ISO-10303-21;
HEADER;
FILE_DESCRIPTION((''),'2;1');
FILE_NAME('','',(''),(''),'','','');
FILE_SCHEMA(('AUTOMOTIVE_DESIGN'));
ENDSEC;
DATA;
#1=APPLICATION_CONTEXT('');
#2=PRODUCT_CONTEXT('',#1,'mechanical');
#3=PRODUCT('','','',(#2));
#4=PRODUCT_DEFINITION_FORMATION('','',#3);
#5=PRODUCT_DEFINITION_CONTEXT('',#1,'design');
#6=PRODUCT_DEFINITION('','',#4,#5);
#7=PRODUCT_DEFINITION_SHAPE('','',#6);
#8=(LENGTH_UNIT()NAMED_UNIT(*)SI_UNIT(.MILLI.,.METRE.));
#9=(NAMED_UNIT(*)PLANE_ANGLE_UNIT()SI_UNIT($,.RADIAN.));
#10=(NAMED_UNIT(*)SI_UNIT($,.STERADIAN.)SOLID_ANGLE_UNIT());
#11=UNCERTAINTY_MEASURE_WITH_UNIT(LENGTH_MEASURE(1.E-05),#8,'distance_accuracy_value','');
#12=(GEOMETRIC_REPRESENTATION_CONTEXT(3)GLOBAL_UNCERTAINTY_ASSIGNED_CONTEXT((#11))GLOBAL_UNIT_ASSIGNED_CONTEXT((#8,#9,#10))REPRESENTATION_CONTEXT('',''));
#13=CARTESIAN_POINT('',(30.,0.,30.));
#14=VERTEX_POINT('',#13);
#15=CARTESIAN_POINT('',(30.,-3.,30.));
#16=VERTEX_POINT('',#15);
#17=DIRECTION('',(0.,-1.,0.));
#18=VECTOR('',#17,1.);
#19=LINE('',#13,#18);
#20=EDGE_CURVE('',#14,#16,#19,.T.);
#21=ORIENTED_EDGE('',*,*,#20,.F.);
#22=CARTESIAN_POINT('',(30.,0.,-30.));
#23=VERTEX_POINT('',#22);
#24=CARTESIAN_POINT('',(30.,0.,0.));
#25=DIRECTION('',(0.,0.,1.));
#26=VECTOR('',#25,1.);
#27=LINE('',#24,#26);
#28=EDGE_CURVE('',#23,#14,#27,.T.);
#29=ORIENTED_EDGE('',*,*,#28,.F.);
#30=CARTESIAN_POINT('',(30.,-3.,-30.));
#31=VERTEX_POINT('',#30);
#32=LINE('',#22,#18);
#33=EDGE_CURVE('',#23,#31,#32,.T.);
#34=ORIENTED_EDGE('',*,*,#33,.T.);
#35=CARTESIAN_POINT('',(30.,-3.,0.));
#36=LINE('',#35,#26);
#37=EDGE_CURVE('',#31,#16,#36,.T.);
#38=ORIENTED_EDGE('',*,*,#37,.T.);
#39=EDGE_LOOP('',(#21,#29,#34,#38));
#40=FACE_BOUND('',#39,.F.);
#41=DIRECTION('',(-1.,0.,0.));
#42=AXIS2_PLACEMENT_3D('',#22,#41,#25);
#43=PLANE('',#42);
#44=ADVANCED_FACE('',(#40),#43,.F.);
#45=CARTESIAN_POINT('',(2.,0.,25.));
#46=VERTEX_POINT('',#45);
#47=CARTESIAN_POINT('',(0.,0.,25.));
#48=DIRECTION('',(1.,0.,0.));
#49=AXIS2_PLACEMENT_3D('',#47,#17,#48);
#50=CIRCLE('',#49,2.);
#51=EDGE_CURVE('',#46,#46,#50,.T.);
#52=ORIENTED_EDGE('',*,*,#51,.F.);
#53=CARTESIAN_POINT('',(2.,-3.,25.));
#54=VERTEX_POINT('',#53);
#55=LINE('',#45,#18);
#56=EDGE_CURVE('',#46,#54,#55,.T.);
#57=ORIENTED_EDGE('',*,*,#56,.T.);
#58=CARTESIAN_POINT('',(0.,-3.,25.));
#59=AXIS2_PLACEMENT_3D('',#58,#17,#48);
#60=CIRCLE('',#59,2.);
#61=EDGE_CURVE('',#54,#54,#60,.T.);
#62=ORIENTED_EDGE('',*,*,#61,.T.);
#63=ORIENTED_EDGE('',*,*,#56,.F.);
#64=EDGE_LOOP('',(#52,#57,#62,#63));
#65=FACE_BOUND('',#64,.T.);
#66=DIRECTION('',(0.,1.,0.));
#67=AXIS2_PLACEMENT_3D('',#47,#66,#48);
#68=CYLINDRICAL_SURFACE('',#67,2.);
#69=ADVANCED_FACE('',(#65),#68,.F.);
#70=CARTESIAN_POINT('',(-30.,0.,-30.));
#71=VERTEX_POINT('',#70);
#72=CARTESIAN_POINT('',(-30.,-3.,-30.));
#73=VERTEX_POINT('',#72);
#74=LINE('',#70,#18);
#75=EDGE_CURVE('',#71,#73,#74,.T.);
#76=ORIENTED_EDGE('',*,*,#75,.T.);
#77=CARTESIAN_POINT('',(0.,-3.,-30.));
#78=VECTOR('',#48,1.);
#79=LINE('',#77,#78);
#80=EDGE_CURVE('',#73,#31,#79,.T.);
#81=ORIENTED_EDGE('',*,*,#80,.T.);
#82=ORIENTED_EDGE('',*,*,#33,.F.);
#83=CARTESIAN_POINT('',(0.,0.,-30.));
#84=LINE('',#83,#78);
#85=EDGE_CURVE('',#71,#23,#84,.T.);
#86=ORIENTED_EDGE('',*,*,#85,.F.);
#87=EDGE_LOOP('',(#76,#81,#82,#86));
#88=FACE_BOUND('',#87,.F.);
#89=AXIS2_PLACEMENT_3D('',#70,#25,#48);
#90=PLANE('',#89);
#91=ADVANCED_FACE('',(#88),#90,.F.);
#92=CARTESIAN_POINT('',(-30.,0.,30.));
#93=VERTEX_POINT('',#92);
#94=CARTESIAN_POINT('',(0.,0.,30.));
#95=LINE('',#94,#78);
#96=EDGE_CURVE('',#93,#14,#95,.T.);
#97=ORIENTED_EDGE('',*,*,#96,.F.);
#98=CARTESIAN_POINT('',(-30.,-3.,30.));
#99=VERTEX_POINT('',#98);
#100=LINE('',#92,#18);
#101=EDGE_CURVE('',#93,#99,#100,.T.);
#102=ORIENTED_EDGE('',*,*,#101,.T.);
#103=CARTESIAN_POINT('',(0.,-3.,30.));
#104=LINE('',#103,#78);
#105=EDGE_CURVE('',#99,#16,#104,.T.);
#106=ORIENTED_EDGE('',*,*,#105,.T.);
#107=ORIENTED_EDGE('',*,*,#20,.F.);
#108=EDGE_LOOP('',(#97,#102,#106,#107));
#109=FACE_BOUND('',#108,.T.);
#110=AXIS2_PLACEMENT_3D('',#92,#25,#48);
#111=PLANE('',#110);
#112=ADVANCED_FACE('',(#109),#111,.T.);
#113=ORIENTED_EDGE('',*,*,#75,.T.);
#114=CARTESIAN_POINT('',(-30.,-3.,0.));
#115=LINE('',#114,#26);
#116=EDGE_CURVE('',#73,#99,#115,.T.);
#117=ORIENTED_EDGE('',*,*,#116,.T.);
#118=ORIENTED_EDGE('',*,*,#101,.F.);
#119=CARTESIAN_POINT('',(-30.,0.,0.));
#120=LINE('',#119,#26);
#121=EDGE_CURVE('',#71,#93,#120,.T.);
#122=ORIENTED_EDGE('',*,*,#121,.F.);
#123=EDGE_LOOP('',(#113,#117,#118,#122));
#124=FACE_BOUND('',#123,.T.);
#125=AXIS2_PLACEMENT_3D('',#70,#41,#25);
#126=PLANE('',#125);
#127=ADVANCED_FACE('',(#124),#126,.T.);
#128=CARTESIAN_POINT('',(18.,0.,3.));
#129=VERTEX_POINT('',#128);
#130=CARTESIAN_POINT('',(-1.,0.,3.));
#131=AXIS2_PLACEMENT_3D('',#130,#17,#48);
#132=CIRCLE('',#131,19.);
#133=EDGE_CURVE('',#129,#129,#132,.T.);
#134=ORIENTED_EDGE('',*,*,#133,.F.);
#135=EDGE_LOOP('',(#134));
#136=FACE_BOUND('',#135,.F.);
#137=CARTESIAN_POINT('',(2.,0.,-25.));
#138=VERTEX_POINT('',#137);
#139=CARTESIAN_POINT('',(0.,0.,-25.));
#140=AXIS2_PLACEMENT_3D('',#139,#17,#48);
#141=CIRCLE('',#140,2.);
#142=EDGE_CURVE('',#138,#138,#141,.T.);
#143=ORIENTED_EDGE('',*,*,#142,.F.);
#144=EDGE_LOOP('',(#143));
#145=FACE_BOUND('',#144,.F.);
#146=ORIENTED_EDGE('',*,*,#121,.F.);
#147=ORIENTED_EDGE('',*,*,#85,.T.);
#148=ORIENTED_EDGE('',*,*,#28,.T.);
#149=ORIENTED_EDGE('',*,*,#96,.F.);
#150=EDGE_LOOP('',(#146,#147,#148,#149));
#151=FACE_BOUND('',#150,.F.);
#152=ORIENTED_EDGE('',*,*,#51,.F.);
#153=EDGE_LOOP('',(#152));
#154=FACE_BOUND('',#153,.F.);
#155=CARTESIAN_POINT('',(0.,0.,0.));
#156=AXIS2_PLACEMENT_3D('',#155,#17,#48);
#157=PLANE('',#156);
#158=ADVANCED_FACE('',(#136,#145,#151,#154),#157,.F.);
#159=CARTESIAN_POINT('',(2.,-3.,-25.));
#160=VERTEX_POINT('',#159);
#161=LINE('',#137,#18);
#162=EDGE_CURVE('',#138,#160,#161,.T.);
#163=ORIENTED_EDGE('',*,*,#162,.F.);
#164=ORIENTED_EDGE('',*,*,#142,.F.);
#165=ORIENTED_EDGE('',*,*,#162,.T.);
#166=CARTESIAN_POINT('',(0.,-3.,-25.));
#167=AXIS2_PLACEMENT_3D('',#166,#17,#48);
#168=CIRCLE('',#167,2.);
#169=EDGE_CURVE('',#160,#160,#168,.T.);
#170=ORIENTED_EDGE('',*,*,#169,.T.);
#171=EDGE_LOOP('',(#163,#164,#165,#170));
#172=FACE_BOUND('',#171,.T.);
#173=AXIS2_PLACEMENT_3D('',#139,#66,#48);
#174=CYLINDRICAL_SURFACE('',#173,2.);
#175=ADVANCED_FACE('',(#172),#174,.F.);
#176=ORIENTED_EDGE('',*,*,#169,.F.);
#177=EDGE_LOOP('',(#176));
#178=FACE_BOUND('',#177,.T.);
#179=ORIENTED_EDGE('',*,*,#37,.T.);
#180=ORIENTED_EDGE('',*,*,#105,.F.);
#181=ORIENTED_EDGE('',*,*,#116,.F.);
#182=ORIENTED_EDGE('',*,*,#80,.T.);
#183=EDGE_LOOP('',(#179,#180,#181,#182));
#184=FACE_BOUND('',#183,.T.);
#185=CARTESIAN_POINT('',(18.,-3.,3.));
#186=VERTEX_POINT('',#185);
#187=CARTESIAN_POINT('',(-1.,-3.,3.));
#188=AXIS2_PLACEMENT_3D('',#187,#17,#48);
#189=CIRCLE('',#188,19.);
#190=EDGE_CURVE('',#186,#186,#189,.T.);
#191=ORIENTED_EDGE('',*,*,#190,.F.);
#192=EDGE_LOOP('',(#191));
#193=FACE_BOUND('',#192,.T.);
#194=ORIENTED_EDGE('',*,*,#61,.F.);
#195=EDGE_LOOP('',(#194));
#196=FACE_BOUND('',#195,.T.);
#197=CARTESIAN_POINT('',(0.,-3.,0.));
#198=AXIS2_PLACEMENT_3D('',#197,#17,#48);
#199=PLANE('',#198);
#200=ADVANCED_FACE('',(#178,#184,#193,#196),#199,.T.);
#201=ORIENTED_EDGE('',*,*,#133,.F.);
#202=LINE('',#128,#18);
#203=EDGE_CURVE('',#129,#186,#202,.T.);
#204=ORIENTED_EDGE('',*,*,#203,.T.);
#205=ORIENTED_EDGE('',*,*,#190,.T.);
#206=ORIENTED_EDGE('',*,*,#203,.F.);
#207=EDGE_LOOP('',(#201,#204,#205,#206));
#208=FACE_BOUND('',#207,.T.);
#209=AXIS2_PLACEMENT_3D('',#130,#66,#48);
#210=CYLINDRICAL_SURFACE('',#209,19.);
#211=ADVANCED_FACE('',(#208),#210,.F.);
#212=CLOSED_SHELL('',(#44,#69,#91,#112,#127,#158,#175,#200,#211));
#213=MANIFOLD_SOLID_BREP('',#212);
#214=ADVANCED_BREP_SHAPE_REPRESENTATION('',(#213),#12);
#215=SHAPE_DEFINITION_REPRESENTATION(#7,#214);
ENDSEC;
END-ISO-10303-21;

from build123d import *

# Parameters (mm, degrees)
F0_W     = 60
F0_H     = 60
F0_R     = 2
F0_R_2   = 19
F1_DEPTH = 3


with BuildPart() as f1:
    # F0 (on Front) → F1 (new body)
    with BuildSketch(Plane.XZ):
        Rectangle(F0_W, F0_H)
        with Locations((0, -25)):
            Circle(F0_R, mode=Mode.SUBTRACT)
        with Locations((-1, 3)):
            Circle(F0_R_2, mode=Mode.SUBTRACT)
        with Locations((0, 25)):
            Circle(F0_R, mode=Mode.SUBTRACT)
    extrude(amount=F1_DEPTH)


solid = f1.part
